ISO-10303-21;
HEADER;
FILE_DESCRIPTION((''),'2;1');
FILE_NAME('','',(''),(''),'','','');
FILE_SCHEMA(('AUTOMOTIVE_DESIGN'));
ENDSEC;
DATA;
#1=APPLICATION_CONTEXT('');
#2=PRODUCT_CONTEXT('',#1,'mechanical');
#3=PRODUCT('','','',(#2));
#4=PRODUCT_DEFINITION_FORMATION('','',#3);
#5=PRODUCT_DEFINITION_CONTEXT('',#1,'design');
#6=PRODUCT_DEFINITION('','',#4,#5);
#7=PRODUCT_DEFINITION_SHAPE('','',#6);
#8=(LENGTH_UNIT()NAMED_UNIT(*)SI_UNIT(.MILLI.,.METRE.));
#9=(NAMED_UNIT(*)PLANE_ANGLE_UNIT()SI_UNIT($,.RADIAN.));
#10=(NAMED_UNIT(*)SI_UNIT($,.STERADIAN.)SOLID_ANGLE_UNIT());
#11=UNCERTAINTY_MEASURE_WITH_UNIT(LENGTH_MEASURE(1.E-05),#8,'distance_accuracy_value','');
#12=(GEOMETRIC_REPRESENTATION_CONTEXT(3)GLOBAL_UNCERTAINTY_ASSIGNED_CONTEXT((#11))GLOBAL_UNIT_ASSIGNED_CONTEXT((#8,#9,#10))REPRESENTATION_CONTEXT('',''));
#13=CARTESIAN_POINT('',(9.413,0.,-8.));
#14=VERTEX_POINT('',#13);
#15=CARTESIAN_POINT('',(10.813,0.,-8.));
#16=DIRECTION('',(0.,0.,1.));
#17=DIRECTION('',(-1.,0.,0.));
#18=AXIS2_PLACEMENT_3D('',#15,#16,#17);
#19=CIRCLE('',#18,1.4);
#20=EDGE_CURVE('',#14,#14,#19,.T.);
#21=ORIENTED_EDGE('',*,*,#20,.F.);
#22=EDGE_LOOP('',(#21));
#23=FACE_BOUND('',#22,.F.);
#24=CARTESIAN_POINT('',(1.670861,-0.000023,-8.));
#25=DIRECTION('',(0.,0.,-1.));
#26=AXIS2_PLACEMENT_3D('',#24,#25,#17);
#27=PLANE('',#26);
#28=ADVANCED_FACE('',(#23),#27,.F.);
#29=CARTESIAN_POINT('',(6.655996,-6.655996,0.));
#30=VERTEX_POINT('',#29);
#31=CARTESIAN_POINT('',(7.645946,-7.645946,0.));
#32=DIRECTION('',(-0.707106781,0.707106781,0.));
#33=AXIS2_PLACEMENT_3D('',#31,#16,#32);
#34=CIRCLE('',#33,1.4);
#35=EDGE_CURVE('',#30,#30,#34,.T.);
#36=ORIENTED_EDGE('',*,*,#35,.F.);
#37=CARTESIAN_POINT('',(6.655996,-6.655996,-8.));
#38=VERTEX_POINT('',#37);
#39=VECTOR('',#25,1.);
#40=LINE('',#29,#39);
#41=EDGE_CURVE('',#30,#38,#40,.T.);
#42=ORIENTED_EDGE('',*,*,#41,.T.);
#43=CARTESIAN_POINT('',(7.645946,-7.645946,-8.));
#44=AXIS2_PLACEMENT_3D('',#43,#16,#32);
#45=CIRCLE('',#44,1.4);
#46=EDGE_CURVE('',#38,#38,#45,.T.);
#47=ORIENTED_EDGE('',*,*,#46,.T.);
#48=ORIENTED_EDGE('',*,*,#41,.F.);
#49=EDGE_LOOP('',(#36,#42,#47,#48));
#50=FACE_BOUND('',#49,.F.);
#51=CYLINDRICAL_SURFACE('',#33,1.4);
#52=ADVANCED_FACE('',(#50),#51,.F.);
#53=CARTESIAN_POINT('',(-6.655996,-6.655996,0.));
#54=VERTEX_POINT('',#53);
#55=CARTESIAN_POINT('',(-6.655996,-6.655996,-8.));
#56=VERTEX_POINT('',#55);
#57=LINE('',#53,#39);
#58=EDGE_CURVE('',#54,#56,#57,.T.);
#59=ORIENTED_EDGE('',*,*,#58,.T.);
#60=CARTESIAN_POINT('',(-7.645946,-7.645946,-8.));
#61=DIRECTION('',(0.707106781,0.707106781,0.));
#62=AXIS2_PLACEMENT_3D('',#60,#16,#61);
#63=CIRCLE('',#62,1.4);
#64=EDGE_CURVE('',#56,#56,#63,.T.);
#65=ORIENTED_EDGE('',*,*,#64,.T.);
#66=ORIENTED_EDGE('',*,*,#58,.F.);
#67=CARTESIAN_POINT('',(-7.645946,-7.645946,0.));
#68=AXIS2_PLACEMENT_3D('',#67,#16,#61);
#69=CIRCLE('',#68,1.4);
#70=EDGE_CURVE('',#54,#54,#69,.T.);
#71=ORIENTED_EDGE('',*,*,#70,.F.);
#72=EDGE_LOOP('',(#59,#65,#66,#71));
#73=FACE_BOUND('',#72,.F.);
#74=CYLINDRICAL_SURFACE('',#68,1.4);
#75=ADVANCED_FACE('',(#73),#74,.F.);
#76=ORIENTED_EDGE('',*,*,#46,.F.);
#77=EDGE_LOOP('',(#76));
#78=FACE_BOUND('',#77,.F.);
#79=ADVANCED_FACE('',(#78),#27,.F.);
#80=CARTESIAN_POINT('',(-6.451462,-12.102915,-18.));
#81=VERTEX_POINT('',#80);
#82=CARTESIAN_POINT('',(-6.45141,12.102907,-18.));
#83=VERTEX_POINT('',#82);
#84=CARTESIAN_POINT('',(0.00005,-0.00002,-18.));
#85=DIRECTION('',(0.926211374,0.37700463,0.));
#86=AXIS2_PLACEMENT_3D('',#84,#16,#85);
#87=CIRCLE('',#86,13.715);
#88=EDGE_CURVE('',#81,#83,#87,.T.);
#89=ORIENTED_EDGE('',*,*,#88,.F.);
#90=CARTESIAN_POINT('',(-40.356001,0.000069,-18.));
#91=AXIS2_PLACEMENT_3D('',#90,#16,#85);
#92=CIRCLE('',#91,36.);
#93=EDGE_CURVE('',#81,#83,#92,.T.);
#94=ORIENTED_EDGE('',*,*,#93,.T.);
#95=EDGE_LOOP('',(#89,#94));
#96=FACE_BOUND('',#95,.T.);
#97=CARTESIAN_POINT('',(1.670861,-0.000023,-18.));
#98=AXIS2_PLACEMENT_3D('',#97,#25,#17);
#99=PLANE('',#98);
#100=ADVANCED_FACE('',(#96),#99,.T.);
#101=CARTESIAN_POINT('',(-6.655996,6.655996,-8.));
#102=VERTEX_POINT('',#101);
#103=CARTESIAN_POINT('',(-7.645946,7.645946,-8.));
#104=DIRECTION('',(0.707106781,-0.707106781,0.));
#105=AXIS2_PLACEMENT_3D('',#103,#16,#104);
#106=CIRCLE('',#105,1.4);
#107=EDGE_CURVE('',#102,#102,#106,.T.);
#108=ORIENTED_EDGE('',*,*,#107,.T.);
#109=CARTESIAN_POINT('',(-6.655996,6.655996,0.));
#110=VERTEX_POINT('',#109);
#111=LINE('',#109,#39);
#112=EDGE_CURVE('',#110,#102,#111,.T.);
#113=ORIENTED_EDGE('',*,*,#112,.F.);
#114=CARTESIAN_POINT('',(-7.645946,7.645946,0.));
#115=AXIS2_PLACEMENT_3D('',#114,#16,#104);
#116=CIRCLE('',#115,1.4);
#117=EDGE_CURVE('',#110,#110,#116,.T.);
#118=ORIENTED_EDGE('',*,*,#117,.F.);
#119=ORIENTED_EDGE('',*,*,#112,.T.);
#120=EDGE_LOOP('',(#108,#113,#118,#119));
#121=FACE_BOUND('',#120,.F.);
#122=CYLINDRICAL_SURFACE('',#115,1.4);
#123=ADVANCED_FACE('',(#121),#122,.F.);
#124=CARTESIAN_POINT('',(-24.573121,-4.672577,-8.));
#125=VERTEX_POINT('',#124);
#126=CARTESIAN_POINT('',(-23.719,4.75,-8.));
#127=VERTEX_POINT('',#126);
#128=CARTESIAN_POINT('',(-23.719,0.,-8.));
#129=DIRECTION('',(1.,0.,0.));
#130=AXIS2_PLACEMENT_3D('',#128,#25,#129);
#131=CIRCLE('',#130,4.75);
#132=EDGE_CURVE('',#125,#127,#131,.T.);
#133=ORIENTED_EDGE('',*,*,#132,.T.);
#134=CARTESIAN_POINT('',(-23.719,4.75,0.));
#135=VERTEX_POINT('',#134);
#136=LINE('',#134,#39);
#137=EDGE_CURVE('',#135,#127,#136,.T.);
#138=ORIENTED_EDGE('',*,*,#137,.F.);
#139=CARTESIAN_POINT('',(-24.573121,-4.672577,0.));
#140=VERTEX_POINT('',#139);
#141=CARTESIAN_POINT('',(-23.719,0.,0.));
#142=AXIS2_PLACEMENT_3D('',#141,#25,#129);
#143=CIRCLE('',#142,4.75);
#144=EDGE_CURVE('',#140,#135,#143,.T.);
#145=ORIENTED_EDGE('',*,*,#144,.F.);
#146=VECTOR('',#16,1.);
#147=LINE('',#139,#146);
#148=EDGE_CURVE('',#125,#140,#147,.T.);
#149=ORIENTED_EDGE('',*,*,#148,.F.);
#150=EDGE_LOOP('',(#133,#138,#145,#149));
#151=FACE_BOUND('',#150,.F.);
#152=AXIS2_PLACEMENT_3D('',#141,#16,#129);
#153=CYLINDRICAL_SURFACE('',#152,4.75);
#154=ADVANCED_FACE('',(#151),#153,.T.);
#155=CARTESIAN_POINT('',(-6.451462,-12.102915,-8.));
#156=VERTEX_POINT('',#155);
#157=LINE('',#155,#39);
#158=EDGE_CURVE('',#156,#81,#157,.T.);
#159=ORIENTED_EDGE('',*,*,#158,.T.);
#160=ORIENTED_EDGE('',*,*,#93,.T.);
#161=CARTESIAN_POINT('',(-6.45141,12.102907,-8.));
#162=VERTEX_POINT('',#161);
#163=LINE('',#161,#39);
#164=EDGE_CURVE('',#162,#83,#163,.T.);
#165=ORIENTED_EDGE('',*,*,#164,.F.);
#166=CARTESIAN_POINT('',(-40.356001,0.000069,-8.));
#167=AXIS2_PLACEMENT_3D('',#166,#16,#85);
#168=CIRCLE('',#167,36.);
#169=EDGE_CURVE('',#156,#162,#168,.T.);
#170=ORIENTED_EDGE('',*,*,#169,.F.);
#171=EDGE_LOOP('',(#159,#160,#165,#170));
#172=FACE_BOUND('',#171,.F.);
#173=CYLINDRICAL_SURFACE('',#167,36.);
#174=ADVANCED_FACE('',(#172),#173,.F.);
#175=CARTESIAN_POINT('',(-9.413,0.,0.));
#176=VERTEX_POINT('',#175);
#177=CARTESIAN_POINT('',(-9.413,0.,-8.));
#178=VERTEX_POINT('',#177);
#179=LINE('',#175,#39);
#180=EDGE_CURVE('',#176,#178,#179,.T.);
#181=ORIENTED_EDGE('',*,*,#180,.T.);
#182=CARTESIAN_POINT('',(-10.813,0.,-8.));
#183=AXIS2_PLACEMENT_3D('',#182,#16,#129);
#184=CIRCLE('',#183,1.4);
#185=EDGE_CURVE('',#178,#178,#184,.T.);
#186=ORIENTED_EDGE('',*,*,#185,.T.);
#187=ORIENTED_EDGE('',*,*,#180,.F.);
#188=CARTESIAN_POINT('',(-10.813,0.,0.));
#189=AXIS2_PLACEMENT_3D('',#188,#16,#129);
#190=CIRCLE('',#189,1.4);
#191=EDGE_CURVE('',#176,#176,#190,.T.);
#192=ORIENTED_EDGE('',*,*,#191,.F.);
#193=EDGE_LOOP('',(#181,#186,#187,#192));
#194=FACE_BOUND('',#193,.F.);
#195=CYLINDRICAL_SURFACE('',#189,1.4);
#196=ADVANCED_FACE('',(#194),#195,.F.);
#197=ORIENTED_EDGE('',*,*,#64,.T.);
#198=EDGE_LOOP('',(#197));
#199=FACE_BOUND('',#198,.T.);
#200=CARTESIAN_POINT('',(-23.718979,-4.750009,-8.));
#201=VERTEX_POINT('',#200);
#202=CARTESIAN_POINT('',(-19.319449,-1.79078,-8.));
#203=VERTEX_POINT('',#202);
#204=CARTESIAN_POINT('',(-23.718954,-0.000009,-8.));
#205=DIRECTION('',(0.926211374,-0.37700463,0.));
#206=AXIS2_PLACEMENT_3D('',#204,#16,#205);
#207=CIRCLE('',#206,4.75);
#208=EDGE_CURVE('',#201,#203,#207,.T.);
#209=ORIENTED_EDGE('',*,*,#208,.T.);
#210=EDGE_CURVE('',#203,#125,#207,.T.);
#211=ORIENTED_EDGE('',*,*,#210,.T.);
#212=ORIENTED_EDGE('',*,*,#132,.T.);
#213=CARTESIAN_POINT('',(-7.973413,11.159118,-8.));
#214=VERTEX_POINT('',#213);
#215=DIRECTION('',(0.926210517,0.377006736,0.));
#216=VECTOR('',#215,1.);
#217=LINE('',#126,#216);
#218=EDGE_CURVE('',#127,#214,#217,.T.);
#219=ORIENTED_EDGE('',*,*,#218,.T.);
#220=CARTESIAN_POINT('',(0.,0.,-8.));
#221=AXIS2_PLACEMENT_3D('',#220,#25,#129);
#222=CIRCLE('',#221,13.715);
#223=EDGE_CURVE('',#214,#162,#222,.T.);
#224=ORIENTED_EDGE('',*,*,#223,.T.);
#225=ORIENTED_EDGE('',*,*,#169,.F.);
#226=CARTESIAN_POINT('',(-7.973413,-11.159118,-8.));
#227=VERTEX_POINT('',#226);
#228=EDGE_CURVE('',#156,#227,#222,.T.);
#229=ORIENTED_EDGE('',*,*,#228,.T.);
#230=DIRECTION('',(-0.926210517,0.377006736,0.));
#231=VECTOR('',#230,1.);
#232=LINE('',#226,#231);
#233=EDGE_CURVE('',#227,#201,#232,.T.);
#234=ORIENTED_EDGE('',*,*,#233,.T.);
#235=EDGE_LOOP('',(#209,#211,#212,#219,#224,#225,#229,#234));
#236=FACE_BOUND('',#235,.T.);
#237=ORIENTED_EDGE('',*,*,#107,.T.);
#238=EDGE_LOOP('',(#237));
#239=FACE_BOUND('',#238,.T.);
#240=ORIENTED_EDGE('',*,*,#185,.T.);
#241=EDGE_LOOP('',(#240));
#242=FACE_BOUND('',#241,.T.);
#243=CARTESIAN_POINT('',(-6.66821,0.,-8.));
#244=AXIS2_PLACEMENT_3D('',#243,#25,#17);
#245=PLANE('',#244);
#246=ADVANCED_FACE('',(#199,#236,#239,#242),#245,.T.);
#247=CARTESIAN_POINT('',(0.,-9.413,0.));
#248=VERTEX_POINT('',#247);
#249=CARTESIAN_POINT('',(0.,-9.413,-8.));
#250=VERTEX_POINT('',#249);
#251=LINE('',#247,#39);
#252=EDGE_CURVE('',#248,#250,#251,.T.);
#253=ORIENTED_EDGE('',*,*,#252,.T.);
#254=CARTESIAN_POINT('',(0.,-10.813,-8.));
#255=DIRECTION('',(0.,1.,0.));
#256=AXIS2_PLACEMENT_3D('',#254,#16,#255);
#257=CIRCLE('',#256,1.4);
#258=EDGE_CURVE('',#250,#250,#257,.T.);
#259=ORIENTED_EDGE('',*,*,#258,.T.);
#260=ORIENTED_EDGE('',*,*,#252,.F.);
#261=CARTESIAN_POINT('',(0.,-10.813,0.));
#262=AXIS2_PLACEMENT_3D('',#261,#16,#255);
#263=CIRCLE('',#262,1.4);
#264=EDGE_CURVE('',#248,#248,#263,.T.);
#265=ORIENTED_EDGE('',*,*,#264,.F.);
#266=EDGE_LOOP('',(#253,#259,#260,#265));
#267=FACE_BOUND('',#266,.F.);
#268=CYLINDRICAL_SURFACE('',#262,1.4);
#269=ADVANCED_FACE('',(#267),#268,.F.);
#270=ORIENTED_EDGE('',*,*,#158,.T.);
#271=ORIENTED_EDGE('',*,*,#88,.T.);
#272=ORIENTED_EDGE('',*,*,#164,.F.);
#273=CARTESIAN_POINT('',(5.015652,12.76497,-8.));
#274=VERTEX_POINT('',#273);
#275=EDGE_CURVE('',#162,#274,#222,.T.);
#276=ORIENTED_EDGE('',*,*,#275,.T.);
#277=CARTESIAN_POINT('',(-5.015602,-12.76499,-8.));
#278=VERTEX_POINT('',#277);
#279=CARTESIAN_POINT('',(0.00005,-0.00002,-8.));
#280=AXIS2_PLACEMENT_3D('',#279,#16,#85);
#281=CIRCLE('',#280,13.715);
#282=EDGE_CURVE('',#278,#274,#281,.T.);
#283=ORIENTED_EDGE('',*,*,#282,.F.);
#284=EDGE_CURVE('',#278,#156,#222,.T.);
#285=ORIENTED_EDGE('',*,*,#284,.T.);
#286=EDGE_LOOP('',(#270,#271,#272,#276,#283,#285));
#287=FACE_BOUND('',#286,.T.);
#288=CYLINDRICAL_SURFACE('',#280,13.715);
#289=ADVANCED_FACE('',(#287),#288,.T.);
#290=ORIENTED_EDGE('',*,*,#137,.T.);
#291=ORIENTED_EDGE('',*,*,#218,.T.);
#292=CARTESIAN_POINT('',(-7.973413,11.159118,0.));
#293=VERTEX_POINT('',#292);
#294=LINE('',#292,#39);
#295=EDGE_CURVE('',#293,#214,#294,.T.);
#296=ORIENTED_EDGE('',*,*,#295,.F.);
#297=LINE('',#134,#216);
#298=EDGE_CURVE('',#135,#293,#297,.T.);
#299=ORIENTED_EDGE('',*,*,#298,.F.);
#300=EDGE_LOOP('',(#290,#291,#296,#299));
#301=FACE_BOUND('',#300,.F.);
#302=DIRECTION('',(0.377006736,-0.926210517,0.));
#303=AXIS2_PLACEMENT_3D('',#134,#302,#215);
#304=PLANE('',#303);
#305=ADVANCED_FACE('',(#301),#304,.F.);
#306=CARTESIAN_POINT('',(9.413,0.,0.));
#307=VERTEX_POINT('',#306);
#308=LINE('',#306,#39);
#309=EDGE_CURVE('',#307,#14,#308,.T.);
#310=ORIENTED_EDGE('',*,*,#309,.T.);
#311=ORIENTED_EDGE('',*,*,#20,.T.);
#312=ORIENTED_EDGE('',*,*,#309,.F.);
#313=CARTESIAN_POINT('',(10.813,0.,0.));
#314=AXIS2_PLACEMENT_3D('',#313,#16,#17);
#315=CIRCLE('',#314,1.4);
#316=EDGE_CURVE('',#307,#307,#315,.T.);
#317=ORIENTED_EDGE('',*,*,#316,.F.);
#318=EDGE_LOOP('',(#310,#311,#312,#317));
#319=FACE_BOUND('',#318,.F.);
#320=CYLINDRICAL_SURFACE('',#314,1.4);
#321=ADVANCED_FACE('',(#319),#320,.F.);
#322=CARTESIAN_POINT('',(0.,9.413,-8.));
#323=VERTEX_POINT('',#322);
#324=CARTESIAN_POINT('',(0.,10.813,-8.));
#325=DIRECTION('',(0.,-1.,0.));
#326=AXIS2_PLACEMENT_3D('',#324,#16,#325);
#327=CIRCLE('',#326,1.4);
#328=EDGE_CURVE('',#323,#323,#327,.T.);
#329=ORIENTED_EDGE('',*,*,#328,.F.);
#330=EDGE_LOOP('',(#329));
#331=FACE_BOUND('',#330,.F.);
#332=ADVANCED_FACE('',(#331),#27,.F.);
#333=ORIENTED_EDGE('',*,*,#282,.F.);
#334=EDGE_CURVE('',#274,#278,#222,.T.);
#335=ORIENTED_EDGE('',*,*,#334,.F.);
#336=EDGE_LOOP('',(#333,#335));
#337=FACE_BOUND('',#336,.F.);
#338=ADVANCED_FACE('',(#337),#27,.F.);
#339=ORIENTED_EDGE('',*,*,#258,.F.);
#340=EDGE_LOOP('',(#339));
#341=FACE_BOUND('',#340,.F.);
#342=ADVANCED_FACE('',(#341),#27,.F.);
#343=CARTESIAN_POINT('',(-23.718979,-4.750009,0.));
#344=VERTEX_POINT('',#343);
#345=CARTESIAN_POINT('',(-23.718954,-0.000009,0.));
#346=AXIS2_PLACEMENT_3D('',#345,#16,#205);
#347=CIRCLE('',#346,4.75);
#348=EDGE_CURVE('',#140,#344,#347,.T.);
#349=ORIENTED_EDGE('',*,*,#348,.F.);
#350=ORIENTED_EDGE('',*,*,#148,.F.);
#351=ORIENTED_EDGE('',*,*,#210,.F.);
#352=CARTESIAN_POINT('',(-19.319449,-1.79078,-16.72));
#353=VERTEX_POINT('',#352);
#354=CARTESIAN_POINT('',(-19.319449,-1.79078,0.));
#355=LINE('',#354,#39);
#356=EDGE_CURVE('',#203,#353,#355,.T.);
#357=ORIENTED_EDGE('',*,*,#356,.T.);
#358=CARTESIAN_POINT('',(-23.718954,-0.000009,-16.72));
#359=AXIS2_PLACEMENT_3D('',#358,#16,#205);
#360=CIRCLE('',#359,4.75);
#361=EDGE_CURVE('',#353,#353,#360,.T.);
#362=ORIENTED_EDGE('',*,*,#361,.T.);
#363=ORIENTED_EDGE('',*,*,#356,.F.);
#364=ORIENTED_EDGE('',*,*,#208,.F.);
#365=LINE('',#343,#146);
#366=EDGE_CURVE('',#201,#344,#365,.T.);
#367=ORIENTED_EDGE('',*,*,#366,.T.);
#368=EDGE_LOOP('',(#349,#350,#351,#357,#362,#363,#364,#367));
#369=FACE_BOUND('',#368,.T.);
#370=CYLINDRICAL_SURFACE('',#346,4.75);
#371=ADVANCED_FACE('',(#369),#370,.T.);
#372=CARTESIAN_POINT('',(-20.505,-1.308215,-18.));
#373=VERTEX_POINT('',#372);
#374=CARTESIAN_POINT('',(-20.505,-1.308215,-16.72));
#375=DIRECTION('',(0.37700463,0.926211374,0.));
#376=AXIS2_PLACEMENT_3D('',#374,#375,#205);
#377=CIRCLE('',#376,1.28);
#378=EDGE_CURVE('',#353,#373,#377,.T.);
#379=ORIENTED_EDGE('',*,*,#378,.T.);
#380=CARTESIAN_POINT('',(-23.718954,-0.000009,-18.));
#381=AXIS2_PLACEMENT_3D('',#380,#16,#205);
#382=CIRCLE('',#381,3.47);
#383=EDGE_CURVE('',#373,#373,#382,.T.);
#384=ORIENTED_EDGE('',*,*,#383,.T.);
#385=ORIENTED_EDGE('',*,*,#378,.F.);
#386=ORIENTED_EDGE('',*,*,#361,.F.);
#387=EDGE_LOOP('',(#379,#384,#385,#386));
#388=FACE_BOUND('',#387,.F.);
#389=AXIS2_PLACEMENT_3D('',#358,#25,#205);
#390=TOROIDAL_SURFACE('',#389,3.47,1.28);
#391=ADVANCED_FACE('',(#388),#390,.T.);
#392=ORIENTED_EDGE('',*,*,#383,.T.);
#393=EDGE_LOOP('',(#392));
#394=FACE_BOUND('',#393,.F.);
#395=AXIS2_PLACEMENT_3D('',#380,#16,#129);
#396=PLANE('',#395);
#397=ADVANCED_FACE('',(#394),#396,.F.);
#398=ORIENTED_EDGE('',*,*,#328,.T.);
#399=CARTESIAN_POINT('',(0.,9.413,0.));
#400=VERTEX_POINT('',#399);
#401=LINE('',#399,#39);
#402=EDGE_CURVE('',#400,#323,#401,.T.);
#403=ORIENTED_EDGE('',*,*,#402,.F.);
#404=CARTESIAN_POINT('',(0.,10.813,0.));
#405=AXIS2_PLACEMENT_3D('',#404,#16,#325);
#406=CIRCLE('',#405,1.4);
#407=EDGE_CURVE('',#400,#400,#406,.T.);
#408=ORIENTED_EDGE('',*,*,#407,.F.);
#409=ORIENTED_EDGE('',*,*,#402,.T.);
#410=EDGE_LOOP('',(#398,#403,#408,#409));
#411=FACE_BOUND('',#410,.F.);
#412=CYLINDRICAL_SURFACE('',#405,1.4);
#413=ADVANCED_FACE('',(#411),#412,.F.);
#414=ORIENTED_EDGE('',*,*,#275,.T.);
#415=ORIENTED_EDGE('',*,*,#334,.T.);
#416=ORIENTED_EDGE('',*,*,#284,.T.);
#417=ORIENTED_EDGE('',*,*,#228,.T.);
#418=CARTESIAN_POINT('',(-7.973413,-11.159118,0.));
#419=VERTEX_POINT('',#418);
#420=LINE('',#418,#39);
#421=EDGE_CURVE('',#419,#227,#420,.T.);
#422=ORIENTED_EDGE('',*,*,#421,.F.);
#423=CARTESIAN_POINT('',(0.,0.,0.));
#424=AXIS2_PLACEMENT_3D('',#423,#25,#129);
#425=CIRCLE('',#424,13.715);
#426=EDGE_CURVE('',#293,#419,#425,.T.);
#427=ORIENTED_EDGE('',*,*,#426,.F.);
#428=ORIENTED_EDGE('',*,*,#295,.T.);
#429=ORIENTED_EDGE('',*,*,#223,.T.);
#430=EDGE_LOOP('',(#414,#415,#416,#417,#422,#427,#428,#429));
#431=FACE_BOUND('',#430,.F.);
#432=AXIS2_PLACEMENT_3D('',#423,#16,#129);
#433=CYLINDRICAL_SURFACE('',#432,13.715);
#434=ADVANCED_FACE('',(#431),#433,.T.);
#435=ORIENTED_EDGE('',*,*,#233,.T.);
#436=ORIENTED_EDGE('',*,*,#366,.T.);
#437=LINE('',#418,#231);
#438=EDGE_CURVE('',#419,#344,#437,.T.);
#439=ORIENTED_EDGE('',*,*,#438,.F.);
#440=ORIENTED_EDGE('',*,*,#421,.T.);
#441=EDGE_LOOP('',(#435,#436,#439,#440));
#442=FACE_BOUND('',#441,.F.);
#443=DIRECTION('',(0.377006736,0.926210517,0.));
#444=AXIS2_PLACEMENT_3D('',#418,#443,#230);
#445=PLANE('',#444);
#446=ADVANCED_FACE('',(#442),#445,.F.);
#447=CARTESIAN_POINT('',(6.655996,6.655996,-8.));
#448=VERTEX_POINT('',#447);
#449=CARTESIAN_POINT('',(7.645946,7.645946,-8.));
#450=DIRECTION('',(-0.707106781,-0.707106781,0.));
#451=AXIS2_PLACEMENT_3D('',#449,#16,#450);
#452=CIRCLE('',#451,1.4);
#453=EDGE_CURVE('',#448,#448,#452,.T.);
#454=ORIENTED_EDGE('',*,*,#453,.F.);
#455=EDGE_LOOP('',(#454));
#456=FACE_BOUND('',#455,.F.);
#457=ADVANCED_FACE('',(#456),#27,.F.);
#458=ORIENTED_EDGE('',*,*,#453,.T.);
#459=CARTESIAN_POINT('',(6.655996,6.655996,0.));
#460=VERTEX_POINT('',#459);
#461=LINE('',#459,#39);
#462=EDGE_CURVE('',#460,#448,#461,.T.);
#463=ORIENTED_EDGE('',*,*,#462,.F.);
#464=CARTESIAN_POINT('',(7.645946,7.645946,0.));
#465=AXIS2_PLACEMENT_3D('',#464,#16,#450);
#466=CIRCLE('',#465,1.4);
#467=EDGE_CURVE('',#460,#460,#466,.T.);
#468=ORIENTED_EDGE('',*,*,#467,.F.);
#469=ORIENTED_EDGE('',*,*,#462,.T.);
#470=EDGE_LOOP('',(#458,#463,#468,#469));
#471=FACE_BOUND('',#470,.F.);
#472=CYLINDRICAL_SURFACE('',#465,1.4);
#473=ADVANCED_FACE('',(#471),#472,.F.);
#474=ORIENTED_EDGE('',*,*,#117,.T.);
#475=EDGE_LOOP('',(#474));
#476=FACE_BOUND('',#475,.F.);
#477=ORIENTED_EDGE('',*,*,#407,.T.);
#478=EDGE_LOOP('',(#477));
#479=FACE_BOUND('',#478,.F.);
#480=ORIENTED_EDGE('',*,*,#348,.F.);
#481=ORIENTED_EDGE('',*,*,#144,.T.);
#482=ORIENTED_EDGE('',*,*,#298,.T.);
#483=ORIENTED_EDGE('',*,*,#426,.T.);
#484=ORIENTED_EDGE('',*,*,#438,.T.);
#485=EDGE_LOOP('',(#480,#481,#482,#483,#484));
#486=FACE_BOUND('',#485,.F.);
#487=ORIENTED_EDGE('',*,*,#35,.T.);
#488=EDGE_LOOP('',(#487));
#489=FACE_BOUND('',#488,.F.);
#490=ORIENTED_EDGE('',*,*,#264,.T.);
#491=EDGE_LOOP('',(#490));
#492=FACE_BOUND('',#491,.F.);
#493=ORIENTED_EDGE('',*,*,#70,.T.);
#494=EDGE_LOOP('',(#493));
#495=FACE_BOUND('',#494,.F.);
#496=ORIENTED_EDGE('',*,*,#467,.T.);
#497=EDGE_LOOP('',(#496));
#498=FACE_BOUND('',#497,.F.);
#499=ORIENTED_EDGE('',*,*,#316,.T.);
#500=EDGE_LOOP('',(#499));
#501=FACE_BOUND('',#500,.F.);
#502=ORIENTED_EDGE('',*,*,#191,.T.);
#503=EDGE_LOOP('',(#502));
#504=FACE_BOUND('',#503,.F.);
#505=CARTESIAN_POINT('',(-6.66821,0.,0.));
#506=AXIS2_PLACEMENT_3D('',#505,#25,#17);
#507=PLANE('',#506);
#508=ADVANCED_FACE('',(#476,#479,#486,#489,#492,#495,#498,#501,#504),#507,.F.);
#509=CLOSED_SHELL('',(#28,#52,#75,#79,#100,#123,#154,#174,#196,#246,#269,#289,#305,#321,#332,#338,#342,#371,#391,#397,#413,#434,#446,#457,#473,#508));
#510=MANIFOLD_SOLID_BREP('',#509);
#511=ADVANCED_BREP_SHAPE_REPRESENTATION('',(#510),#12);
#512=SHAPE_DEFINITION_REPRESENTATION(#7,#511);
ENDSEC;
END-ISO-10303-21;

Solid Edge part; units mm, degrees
sketch "Sketch1" plane through (0, 0, 0) normal (0, 0, 1) x (1, 0, 0)
  line L0 (-7.9734, -11.1591) -> (-23.719, -4.75)
  line L1 (-23.719, 4.75) -> (-7.9734, 11.1591)
  arc A0 (-23.719, -4.75) -> (-23.719, 4.75) centre (-23.719, 0) cw
  arc A1 (-7.9734, 11.1591) -> (-7.9734, -11.1591) centre (0, 0) cw
extrude "Protrusion1" add sketch "Sketch1" against normal blind 8
sketch "Sketch2" plane through (0, 0, 0) normal (0, 0, 1) x (1, 0, 0)
  circle A0 centre (-10.813, 0) radius 1.4
extrude "ExtrudedCutout_1" cut sketch "Sketch2" against normal blind 42.8094
pattern_circular "Pattern1" count 8 over 360 about axis through (0, 0, 0) along (0, 0, -1) of "ExtrudedCutout_1"
sketch "Sketch3" plane through (-7.377, 0, -8) normal (0, 0, -1) x (0.9262, 0.377, 0)
  arc A0 (-3.7056, 11.5588) -> (5.4201, -10.8609) centre (-30.5455, -12.4333) cw
  arc A1 (-3.7056, 11.5588) -> (5.4202, -10.8609) centre (6.8327, 2.7812) cw
extrude "ExtrudedProtrusion_2" add sketch "Sketch3" along normal blind 10
sketch "Sketch4" plane through (-7.377, 0, 0) normal (0, 0, 1) x (0.9262, -0.377, 0)
  circle A0 centre (-15.1361, -6.161) radius 4.75
extrude "ExtrudedProtrusion_3" add sketch "Sketch4" against normal blind 18
fillet "Round_1" radius 1.28 1 edges at (-28.1185, 1.7908, -18)
